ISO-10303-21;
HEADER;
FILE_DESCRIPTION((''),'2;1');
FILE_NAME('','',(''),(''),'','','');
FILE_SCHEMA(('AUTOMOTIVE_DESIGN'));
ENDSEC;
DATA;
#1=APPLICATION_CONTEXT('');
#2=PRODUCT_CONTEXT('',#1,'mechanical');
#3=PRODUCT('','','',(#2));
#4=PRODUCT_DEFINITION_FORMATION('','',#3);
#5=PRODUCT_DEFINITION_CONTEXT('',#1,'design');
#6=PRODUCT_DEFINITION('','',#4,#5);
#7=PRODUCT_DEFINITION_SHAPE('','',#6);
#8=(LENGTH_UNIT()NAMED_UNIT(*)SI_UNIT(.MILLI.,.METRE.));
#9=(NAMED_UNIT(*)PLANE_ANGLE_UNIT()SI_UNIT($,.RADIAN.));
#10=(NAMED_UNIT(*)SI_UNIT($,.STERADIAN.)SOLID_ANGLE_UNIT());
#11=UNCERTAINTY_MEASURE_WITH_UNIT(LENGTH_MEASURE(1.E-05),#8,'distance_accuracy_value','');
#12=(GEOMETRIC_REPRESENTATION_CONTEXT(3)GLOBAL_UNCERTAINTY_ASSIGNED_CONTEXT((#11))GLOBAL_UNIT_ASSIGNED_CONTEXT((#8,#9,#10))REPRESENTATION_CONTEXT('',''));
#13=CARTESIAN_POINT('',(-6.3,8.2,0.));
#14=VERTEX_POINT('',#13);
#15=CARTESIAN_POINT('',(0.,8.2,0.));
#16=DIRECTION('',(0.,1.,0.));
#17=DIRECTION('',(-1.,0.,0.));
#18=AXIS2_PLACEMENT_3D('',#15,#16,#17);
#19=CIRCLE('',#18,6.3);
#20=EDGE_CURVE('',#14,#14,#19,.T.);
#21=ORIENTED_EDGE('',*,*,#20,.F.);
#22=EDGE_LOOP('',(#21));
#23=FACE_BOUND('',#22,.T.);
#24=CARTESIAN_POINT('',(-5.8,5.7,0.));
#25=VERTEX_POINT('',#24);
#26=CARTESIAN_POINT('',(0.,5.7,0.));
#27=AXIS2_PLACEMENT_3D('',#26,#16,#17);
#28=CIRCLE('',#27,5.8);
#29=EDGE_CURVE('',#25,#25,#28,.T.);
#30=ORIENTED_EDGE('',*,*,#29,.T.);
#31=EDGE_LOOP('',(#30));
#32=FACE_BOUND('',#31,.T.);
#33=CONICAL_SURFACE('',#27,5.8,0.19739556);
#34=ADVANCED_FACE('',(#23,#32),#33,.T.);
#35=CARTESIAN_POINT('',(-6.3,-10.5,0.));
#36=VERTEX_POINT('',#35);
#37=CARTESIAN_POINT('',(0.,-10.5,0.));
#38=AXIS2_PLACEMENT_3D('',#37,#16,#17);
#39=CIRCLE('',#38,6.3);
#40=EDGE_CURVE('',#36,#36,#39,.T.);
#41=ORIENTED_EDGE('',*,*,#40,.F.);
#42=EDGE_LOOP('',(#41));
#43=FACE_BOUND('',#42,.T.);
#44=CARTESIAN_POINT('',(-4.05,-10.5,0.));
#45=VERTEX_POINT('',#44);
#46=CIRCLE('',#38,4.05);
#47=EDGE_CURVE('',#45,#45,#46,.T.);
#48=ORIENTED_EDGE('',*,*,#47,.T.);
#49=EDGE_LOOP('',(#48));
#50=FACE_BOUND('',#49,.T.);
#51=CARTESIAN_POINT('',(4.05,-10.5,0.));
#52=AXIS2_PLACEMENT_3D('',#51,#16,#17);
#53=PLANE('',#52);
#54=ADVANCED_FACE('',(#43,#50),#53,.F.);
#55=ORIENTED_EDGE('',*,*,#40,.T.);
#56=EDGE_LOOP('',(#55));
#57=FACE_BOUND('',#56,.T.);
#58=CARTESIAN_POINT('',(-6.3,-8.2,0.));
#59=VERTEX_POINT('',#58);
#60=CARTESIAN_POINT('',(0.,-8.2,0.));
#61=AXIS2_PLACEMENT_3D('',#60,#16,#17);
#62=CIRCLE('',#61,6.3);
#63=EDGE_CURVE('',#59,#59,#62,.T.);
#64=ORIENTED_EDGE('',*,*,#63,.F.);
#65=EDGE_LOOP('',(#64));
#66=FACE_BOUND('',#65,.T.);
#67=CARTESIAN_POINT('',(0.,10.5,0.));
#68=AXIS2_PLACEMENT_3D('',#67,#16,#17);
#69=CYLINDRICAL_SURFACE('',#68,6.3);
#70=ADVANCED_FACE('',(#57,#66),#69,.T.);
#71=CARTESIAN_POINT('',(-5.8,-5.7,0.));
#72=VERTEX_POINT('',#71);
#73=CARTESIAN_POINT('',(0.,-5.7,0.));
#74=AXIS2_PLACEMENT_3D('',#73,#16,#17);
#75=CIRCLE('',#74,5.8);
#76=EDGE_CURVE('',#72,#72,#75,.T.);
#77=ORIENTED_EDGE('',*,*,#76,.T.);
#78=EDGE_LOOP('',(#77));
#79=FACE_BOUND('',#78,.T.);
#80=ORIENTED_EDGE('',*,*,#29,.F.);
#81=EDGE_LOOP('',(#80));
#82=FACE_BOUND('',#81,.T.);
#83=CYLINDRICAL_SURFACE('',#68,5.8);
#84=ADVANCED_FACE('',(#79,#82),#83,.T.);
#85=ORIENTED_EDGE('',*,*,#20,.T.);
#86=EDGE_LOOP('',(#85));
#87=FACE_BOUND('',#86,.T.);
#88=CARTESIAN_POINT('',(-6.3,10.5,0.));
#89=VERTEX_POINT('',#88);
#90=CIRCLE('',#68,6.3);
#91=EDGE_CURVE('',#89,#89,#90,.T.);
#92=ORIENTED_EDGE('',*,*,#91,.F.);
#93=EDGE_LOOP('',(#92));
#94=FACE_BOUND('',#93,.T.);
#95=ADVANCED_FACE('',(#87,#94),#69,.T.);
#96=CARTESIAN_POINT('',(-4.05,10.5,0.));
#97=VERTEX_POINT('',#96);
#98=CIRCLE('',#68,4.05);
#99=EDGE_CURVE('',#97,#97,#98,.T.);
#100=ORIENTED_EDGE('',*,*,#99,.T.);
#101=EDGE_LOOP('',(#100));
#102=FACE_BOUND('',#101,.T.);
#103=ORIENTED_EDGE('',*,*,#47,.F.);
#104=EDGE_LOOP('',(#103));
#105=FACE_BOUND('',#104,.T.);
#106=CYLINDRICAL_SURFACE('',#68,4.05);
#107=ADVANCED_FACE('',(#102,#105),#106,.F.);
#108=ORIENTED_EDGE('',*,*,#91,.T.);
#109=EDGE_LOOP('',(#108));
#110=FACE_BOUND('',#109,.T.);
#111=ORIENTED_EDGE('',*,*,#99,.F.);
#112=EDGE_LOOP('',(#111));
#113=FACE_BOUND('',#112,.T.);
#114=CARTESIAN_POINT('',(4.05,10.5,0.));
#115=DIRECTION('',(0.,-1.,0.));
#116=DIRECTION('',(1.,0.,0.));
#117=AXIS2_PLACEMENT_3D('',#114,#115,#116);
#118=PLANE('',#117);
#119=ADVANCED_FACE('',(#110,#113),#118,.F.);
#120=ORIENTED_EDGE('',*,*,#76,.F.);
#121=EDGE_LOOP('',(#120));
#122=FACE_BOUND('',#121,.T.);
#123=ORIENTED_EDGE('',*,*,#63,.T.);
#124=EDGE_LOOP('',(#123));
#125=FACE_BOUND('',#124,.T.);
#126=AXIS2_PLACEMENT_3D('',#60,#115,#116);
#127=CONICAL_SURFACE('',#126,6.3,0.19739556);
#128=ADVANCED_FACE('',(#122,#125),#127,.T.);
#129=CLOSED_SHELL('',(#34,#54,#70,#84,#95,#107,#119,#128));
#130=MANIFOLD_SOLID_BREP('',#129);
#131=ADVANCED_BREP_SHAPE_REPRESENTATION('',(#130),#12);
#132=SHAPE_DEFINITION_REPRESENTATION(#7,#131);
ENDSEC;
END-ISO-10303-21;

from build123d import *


with BuildPart() as part:
    # Sketch1 → Revolve1 (revolve)
    with BuildSketch(Plane.XY):
        Polygon((4.05, 10.5), (6.3, 10.5), (6.3, 8.2), (5.8, 5.7), (5.8, -5.7), (6.3, -8.2), (6.3, -10.5), (4.05, -10.5), align=None)
    revolve(axis=Axis((0, 10.5, 0), (0, -1, 0)))


solid = part.part
